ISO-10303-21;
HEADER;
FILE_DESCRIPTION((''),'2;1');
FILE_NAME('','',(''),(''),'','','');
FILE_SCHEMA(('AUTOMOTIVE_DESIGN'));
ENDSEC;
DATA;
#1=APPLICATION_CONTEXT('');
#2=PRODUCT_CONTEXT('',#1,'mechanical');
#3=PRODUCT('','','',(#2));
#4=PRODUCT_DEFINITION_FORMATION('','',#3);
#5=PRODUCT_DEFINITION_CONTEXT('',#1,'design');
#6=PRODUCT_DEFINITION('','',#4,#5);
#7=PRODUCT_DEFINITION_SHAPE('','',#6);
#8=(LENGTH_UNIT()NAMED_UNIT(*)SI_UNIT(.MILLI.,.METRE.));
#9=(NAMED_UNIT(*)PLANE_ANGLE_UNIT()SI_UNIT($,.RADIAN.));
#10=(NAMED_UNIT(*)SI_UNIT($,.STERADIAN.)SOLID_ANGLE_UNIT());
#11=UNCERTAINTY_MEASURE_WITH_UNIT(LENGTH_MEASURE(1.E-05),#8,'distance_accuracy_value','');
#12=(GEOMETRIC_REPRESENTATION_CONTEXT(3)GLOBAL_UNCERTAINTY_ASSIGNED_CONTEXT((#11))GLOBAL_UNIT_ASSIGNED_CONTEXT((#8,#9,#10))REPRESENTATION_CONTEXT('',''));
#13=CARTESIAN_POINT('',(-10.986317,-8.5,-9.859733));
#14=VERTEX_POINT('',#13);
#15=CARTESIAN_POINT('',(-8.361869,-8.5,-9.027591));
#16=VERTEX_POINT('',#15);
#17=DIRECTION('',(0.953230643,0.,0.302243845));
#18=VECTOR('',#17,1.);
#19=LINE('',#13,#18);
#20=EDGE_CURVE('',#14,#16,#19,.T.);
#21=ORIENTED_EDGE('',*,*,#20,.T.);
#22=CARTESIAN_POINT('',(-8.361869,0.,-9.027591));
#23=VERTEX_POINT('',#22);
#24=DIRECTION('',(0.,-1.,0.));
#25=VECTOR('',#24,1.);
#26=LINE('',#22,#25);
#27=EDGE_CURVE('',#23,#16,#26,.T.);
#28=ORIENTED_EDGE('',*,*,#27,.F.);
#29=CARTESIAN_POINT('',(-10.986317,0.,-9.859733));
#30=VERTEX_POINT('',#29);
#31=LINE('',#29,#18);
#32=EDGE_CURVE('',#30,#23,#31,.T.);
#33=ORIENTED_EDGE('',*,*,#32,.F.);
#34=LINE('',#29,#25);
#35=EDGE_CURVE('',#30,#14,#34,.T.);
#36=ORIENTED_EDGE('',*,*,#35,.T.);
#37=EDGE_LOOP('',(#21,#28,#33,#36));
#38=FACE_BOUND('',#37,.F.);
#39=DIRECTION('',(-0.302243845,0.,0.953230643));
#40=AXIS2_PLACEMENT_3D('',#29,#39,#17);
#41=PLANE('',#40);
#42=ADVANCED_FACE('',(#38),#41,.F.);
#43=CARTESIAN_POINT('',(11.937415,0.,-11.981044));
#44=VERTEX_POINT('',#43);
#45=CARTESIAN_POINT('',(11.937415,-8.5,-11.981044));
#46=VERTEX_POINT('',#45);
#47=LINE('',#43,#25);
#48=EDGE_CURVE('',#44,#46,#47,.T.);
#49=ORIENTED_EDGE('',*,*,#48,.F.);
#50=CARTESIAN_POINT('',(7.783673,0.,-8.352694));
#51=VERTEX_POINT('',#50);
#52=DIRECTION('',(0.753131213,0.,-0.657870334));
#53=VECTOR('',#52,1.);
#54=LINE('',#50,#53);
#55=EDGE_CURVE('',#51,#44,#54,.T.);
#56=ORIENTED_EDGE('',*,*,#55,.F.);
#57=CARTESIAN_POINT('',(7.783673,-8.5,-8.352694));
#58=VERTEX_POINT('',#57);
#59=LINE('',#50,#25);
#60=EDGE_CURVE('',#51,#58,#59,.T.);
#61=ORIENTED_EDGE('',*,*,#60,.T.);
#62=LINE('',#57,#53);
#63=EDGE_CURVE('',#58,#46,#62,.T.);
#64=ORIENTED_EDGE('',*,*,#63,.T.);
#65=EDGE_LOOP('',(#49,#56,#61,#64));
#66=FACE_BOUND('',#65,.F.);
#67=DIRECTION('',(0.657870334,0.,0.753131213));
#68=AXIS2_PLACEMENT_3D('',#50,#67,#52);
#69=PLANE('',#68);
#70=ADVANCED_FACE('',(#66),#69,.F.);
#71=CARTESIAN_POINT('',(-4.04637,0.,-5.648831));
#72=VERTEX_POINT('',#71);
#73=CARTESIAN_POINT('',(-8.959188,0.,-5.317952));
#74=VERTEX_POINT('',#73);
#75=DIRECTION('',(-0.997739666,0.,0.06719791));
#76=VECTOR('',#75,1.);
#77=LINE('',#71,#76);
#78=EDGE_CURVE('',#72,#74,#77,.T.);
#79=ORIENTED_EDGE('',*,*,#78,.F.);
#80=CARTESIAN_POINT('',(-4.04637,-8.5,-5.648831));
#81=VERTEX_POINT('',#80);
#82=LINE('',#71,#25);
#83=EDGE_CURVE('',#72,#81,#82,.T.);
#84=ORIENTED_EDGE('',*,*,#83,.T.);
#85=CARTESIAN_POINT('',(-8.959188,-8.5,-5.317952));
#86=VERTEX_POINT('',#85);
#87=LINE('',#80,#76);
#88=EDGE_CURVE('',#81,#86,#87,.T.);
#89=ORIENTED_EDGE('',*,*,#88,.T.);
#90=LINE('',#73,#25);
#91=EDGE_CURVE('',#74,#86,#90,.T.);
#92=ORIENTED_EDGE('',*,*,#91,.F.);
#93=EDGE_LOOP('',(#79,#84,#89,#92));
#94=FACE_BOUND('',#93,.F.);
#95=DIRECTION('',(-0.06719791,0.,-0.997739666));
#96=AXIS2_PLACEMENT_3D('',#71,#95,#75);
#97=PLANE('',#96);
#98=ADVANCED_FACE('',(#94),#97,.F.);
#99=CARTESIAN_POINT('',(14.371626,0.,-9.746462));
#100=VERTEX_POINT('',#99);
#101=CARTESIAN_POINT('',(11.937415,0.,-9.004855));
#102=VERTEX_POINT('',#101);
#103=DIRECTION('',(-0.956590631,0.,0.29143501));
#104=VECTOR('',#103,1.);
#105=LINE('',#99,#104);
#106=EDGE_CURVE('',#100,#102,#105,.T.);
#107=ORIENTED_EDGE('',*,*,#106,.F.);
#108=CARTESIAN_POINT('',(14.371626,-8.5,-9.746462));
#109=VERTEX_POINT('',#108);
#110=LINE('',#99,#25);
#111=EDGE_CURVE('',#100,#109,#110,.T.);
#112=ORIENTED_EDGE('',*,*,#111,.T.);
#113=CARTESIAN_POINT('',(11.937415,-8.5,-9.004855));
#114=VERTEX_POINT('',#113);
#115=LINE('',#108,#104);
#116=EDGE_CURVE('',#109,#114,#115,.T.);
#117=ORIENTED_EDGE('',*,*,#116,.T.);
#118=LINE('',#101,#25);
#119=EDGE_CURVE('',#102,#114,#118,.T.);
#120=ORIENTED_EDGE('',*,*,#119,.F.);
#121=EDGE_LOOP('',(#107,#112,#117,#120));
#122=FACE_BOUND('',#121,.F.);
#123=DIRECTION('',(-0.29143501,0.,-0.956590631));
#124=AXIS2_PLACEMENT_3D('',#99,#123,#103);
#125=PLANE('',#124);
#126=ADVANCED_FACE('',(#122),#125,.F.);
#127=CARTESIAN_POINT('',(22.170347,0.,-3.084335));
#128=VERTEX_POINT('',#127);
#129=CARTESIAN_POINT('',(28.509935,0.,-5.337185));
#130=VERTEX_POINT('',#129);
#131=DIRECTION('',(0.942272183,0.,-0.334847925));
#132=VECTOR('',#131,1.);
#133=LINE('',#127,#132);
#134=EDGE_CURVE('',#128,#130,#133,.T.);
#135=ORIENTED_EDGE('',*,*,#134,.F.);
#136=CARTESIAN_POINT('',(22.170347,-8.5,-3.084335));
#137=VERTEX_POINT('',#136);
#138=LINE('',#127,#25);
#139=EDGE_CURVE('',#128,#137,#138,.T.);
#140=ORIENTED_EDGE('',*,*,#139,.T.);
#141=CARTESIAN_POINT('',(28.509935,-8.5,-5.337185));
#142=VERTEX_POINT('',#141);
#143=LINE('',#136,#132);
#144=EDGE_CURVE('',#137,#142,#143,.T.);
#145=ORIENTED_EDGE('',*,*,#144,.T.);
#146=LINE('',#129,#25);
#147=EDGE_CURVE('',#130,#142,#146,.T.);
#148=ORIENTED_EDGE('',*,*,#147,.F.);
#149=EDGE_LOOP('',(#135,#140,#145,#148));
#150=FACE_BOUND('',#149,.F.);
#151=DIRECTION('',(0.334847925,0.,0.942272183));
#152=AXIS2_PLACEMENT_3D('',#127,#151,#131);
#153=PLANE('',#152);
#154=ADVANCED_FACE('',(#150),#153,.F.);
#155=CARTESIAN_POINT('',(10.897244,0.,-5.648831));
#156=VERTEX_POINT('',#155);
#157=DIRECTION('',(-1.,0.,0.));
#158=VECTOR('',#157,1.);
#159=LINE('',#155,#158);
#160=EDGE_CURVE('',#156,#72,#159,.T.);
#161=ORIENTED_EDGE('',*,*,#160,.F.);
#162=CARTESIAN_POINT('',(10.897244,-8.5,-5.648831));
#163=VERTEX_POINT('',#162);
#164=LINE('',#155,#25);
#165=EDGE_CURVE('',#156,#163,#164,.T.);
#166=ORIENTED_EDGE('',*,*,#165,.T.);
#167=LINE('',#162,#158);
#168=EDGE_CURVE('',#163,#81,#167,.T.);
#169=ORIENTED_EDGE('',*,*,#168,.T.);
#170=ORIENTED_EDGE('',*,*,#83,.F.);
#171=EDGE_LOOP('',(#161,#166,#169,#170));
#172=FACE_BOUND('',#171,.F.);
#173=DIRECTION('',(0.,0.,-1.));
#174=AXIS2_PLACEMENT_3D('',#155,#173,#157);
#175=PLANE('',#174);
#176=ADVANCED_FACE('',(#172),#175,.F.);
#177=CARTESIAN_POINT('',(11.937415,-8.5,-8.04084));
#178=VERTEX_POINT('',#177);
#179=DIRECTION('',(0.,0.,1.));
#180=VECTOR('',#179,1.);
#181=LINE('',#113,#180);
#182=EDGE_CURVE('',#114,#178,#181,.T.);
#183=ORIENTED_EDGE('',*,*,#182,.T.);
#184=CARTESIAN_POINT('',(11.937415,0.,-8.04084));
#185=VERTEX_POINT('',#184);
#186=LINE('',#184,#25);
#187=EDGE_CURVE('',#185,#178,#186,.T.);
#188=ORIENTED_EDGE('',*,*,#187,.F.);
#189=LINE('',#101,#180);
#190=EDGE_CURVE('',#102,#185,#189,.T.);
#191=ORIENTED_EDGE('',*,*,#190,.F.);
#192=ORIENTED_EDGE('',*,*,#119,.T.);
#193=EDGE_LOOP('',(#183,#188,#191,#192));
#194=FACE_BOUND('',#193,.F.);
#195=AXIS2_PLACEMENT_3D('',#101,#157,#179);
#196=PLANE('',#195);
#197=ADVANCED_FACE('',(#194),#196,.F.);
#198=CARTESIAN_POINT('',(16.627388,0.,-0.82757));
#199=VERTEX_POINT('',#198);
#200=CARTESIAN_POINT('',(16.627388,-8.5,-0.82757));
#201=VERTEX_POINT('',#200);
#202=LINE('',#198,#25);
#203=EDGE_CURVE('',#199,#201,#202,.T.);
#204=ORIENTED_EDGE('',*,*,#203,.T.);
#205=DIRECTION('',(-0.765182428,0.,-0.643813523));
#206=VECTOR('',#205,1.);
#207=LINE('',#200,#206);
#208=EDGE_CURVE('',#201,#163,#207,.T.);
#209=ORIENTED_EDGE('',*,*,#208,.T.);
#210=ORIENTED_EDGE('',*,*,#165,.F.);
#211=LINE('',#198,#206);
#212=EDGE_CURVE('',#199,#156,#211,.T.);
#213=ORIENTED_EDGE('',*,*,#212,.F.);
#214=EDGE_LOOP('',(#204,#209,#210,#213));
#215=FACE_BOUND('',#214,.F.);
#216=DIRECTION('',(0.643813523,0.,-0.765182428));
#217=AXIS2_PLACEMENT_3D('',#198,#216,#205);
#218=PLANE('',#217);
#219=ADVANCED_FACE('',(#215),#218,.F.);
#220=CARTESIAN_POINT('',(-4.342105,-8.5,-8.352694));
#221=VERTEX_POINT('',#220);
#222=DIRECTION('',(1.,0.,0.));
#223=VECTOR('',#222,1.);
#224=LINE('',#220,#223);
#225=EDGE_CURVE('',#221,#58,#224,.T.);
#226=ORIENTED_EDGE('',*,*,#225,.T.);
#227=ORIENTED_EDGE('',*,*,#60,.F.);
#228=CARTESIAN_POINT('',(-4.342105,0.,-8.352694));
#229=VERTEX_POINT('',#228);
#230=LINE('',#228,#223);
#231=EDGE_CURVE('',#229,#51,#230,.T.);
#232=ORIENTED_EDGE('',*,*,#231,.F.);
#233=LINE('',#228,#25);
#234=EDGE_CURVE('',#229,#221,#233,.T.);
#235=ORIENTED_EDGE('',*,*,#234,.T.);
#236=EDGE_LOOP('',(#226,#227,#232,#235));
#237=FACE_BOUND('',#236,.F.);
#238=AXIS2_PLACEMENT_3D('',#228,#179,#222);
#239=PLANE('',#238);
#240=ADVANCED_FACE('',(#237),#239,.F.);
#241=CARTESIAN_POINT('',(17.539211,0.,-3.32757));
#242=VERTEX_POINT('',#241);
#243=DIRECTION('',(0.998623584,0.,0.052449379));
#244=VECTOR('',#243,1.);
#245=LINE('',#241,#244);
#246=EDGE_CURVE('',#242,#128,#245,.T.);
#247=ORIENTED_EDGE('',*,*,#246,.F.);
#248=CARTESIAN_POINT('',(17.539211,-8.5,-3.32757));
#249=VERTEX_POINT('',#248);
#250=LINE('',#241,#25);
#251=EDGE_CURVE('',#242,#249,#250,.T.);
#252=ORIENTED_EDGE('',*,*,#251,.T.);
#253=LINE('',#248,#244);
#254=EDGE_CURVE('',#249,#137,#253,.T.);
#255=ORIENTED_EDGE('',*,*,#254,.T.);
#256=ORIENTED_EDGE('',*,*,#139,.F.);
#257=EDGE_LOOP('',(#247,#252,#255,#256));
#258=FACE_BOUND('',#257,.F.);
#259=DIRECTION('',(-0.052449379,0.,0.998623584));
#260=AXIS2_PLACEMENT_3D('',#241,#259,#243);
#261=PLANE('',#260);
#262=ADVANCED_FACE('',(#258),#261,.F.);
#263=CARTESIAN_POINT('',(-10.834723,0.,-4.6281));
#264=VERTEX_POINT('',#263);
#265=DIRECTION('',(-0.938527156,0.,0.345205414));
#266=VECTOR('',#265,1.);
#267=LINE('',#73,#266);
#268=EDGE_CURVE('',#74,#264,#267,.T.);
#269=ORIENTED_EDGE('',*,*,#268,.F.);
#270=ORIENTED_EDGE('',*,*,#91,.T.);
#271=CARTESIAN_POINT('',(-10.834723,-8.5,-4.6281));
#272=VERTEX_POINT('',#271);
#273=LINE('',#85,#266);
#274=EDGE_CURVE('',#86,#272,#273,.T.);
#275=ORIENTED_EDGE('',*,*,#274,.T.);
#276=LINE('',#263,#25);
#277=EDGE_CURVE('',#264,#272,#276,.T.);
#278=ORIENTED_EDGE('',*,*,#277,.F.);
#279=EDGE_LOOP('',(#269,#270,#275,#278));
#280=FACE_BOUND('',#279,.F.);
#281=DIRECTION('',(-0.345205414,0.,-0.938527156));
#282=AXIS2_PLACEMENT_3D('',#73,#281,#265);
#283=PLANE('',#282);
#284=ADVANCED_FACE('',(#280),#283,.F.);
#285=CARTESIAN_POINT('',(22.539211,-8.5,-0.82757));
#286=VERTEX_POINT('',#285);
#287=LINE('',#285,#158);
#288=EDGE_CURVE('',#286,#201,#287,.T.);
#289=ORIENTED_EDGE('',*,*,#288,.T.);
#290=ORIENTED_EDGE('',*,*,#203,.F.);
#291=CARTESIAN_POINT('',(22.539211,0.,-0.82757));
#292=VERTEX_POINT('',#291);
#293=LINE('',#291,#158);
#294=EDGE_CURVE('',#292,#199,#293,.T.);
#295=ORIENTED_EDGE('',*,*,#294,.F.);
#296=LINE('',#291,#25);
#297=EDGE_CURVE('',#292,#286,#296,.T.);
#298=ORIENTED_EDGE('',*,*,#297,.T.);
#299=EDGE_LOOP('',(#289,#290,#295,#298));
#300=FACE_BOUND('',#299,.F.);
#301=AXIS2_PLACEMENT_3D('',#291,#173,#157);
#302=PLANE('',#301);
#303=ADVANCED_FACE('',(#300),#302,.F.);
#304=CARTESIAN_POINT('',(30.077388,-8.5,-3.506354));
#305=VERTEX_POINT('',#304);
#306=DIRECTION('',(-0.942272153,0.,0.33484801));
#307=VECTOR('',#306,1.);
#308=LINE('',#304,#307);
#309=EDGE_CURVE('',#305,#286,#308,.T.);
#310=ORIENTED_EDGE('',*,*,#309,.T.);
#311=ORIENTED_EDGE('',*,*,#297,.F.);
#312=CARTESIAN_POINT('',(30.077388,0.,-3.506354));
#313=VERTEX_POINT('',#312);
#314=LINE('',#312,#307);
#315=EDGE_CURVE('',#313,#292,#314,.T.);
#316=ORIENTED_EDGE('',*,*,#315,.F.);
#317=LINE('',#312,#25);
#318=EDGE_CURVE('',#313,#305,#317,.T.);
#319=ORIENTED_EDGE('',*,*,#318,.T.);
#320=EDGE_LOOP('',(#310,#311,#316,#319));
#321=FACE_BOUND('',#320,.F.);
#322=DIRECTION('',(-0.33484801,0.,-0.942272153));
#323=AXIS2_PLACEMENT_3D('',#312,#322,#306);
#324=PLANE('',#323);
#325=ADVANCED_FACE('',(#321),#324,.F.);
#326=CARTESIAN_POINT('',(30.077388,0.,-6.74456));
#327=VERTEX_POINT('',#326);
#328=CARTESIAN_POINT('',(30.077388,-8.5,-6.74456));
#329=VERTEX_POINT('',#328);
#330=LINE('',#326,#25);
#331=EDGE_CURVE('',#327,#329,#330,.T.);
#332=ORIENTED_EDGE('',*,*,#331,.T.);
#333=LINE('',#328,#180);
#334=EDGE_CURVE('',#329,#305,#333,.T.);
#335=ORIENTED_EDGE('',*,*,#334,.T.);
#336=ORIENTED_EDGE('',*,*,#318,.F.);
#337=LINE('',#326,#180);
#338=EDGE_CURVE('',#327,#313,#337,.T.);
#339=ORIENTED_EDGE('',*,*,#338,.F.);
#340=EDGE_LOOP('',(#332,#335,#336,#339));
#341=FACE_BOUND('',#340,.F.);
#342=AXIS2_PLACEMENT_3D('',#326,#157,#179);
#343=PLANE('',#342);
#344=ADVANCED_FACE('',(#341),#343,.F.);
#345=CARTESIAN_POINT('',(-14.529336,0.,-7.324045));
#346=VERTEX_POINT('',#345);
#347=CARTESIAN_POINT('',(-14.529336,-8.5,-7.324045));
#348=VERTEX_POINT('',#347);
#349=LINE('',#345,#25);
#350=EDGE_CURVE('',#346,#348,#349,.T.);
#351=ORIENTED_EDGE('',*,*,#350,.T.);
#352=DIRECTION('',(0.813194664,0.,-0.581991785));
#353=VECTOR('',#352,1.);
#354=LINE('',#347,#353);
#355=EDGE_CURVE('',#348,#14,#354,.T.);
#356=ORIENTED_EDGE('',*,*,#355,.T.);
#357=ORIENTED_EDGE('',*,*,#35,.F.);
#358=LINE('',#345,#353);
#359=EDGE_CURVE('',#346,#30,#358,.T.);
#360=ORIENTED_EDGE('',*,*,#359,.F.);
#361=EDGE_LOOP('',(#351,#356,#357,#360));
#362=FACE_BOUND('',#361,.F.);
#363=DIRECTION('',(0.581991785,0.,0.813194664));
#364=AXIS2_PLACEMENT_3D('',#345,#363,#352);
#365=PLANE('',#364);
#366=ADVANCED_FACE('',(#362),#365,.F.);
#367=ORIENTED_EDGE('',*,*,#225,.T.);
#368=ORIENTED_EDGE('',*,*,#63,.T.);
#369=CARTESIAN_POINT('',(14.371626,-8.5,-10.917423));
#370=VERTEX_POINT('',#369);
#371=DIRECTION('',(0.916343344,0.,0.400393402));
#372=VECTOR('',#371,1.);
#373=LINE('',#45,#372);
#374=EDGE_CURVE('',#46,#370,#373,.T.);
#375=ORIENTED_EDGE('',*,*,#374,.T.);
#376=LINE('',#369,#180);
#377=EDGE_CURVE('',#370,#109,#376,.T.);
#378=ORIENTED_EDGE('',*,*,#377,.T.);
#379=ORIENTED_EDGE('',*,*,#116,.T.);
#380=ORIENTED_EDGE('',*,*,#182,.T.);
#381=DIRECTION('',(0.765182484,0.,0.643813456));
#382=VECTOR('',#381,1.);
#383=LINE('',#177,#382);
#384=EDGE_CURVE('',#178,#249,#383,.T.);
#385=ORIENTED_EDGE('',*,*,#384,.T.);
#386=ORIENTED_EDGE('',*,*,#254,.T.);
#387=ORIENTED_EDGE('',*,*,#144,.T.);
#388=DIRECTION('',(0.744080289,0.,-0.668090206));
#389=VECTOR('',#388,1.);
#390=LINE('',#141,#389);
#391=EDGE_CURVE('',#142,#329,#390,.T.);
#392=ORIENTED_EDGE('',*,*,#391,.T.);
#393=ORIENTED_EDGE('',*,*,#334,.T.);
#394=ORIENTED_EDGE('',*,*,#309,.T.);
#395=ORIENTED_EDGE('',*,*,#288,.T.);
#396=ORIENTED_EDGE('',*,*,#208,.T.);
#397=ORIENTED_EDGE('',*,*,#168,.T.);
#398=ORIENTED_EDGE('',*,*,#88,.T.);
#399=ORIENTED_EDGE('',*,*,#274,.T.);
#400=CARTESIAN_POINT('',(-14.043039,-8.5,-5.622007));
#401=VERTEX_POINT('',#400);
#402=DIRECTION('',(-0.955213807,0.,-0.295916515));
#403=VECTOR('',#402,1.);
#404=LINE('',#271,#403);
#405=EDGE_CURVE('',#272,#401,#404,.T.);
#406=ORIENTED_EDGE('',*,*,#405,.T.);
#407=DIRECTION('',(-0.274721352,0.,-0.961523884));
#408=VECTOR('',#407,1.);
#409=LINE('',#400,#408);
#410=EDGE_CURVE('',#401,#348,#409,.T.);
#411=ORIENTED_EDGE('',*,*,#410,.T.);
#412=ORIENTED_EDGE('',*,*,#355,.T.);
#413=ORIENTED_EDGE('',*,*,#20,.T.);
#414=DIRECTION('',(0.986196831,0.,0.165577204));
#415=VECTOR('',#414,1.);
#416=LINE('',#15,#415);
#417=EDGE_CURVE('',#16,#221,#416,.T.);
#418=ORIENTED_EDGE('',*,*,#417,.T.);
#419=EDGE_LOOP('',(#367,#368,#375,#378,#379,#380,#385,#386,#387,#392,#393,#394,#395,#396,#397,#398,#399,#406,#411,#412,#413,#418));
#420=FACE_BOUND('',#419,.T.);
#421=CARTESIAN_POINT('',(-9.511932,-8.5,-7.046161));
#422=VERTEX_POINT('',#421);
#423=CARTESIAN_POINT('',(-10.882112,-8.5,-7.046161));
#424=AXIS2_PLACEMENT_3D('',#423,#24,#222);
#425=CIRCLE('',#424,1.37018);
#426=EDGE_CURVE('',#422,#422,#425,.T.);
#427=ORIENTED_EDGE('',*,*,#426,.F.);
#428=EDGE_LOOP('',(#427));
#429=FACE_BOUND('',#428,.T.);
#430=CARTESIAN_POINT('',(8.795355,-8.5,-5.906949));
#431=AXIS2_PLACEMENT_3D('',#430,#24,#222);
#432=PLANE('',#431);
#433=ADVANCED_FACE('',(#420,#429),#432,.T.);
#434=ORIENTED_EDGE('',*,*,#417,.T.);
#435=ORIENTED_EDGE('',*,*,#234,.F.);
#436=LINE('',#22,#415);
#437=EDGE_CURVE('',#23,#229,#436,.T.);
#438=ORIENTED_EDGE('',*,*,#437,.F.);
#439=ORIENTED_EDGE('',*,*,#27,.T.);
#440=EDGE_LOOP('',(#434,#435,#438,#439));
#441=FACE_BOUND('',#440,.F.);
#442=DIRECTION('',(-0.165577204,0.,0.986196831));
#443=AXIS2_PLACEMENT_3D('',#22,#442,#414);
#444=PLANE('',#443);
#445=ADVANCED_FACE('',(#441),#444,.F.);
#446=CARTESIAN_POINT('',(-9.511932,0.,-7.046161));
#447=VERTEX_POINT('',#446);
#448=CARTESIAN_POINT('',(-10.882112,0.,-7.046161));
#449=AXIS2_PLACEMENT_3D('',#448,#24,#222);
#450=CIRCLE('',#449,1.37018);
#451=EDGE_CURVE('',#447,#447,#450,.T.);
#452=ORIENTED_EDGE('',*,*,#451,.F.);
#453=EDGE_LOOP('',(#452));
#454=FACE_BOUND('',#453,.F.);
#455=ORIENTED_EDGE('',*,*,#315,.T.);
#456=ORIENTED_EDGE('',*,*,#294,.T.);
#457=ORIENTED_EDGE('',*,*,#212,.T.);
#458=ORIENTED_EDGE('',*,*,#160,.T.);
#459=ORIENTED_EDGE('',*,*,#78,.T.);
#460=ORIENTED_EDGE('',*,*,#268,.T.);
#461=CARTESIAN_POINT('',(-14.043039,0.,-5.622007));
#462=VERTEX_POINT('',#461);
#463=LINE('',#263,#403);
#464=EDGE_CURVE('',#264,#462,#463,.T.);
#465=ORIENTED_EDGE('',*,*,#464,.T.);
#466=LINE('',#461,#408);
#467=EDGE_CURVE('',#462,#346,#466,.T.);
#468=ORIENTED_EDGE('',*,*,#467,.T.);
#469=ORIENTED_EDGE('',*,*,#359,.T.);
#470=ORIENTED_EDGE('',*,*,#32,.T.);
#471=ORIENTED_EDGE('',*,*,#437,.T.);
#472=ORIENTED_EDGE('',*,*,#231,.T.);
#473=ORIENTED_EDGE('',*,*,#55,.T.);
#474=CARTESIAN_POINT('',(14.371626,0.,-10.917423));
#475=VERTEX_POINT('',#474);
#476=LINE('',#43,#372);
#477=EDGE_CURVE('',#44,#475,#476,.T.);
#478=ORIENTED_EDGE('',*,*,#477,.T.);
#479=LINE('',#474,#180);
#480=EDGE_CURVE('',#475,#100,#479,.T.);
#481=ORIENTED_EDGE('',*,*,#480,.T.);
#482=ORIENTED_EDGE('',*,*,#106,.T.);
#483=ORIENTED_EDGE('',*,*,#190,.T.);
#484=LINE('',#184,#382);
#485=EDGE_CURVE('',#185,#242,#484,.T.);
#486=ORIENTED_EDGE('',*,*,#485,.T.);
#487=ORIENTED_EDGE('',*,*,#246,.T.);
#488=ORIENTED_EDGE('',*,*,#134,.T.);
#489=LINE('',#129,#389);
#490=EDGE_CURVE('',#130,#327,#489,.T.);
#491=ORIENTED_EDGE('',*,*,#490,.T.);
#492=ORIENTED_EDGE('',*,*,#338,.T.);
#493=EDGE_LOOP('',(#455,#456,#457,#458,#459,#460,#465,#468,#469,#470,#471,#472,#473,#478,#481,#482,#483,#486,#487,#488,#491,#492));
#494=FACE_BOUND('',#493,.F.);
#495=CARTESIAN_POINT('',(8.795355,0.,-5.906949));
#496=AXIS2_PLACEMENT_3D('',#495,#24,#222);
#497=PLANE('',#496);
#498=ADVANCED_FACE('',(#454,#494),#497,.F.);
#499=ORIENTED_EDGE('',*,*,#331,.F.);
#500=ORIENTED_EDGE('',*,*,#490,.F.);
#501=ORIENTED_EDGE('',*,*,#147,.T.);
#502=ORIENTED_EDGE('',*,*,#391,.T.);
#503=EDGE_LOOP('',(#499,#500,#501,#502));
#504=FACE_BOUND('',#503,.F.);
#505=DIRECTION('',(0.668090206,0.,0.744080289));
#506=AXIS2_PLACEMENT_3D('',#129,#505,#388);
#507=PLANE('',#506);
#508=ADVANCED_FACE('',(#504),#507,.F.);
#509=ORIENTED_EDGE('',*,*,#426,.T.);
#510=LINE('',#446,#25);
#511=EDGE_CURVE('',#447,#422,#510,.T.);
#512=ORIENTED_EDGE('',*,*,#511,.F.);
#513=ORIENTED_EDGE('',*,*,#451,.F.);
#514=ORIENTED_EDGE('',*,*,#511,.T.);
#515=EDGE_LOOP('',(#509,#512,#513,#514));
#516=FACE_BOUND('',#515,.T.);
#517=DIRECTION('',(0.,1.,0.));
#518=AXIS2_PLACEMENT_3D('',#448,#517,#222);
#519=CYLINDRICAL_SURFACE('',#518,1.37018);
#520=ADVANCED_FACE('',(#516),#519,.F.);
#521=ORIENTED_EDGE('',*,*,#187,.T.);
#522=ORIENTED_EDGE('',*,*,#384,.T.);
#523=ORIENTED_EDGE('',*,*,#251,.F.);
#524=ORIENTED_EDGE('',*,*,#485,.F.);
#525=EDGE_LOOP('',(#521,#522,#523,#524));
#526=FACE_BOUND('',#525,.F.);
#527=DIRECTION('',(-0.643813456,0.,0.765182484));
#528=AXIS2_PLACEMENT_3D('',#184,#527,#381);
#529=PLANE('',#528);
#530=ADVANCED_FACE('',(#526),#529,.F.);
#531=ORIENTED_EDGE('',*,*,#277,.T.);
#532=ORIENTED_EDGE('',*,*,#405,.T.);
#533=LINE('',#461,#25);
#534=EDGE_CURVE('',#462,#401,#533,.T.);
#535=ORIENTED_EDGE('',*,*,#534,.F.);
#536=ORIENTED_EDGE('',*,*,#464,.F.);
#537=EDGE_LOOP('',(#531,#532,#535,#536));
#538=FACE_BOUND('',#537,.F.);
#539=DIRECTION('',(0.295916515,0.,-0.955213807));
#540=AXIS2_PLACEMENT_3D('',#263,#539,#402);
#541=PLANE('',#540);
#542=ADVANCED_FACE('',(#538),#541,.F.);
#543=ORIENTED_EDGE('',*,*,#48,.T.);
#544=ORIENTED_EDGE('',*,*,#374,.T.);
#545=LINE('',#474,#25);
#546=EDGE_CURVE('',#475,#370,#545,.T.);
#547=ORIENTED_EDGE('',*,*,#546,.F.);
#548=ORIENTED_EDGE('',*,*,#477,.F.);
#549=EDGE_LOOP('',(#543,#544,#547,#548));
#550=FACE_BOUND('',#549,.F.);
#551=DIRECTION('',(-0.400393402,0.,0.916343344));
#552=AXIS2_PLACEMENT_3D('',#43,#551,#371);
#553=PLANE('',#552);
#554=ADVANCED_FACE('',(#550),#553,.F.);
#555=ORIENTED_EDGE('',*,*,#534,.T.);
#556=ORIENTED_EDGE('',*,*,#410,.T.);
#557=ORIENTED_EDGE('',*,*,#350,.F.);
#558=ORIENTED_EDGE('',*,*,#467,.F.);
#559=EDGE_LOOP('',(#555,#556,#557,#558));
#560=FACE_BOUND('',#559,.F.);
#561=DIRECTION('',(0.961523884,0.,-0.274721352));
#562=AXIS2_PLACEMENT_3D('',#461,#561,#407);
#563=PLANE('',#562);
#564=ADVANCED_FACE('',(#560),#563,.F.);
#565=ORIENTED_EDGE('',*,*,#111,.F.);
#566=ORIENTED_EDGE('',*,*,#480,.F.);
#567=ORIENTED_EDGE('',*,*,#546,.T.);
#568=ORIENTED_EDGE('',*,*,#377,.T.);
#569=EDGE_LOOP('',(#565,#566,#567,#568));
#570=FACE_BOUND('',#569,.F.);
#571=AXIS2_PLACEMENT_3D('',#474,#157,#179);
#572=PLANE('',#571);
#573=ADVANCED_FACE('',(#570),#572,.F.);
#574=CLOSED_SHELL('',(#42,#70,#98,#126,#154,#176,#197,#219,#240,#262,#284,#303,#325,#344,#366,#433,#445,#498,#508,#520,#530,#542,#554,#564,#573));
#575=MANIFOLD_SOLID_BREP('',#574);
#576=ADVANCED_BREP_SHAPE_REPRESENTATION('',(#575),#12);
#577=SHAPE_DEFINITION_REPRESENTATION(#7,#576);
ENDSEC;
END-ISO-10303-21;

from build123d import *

# Parameters (mm, degrees)
F0_R     = 1.37018
F1_DEPTH = 8.5


with BuildPart() as f1:
    # F0 (on Front) → F1 (new body)
    with BuildSketch(Plane.XZ):
        Polygon((-8.959188, -5.317952), (-10.834723, -4.6281), (-14.043039, -5.622007), (-14.529336, -7.324045), (-10.986317, -9.859733), (-8.361869, -9.027591), (-4.342105, -8.352694), (7.783673, -8.352694), (11.937415, -11.981044), (14.371626, -10.917423), (14.371626, -9.746462), (11.937415, -9.004855), (11.937415, -8.04084), (17.539211, -3.32757), (22.170347, -3.084335), (28.509935, -5.337185), (30.077388, -6.74456), (30.077388, -3.506354), (22.539211, -0.82757), (16.627388, -0.82757), (10.897244, -5.648831), (-4.04637, -5.648831), align=None)
        with Locations((-10.882112, -7.046161)):
            Circle(F0_R, mode=Mode.SUBTRACT)
    extrude(amount=F1_DEPTH)


solid = f1.part
